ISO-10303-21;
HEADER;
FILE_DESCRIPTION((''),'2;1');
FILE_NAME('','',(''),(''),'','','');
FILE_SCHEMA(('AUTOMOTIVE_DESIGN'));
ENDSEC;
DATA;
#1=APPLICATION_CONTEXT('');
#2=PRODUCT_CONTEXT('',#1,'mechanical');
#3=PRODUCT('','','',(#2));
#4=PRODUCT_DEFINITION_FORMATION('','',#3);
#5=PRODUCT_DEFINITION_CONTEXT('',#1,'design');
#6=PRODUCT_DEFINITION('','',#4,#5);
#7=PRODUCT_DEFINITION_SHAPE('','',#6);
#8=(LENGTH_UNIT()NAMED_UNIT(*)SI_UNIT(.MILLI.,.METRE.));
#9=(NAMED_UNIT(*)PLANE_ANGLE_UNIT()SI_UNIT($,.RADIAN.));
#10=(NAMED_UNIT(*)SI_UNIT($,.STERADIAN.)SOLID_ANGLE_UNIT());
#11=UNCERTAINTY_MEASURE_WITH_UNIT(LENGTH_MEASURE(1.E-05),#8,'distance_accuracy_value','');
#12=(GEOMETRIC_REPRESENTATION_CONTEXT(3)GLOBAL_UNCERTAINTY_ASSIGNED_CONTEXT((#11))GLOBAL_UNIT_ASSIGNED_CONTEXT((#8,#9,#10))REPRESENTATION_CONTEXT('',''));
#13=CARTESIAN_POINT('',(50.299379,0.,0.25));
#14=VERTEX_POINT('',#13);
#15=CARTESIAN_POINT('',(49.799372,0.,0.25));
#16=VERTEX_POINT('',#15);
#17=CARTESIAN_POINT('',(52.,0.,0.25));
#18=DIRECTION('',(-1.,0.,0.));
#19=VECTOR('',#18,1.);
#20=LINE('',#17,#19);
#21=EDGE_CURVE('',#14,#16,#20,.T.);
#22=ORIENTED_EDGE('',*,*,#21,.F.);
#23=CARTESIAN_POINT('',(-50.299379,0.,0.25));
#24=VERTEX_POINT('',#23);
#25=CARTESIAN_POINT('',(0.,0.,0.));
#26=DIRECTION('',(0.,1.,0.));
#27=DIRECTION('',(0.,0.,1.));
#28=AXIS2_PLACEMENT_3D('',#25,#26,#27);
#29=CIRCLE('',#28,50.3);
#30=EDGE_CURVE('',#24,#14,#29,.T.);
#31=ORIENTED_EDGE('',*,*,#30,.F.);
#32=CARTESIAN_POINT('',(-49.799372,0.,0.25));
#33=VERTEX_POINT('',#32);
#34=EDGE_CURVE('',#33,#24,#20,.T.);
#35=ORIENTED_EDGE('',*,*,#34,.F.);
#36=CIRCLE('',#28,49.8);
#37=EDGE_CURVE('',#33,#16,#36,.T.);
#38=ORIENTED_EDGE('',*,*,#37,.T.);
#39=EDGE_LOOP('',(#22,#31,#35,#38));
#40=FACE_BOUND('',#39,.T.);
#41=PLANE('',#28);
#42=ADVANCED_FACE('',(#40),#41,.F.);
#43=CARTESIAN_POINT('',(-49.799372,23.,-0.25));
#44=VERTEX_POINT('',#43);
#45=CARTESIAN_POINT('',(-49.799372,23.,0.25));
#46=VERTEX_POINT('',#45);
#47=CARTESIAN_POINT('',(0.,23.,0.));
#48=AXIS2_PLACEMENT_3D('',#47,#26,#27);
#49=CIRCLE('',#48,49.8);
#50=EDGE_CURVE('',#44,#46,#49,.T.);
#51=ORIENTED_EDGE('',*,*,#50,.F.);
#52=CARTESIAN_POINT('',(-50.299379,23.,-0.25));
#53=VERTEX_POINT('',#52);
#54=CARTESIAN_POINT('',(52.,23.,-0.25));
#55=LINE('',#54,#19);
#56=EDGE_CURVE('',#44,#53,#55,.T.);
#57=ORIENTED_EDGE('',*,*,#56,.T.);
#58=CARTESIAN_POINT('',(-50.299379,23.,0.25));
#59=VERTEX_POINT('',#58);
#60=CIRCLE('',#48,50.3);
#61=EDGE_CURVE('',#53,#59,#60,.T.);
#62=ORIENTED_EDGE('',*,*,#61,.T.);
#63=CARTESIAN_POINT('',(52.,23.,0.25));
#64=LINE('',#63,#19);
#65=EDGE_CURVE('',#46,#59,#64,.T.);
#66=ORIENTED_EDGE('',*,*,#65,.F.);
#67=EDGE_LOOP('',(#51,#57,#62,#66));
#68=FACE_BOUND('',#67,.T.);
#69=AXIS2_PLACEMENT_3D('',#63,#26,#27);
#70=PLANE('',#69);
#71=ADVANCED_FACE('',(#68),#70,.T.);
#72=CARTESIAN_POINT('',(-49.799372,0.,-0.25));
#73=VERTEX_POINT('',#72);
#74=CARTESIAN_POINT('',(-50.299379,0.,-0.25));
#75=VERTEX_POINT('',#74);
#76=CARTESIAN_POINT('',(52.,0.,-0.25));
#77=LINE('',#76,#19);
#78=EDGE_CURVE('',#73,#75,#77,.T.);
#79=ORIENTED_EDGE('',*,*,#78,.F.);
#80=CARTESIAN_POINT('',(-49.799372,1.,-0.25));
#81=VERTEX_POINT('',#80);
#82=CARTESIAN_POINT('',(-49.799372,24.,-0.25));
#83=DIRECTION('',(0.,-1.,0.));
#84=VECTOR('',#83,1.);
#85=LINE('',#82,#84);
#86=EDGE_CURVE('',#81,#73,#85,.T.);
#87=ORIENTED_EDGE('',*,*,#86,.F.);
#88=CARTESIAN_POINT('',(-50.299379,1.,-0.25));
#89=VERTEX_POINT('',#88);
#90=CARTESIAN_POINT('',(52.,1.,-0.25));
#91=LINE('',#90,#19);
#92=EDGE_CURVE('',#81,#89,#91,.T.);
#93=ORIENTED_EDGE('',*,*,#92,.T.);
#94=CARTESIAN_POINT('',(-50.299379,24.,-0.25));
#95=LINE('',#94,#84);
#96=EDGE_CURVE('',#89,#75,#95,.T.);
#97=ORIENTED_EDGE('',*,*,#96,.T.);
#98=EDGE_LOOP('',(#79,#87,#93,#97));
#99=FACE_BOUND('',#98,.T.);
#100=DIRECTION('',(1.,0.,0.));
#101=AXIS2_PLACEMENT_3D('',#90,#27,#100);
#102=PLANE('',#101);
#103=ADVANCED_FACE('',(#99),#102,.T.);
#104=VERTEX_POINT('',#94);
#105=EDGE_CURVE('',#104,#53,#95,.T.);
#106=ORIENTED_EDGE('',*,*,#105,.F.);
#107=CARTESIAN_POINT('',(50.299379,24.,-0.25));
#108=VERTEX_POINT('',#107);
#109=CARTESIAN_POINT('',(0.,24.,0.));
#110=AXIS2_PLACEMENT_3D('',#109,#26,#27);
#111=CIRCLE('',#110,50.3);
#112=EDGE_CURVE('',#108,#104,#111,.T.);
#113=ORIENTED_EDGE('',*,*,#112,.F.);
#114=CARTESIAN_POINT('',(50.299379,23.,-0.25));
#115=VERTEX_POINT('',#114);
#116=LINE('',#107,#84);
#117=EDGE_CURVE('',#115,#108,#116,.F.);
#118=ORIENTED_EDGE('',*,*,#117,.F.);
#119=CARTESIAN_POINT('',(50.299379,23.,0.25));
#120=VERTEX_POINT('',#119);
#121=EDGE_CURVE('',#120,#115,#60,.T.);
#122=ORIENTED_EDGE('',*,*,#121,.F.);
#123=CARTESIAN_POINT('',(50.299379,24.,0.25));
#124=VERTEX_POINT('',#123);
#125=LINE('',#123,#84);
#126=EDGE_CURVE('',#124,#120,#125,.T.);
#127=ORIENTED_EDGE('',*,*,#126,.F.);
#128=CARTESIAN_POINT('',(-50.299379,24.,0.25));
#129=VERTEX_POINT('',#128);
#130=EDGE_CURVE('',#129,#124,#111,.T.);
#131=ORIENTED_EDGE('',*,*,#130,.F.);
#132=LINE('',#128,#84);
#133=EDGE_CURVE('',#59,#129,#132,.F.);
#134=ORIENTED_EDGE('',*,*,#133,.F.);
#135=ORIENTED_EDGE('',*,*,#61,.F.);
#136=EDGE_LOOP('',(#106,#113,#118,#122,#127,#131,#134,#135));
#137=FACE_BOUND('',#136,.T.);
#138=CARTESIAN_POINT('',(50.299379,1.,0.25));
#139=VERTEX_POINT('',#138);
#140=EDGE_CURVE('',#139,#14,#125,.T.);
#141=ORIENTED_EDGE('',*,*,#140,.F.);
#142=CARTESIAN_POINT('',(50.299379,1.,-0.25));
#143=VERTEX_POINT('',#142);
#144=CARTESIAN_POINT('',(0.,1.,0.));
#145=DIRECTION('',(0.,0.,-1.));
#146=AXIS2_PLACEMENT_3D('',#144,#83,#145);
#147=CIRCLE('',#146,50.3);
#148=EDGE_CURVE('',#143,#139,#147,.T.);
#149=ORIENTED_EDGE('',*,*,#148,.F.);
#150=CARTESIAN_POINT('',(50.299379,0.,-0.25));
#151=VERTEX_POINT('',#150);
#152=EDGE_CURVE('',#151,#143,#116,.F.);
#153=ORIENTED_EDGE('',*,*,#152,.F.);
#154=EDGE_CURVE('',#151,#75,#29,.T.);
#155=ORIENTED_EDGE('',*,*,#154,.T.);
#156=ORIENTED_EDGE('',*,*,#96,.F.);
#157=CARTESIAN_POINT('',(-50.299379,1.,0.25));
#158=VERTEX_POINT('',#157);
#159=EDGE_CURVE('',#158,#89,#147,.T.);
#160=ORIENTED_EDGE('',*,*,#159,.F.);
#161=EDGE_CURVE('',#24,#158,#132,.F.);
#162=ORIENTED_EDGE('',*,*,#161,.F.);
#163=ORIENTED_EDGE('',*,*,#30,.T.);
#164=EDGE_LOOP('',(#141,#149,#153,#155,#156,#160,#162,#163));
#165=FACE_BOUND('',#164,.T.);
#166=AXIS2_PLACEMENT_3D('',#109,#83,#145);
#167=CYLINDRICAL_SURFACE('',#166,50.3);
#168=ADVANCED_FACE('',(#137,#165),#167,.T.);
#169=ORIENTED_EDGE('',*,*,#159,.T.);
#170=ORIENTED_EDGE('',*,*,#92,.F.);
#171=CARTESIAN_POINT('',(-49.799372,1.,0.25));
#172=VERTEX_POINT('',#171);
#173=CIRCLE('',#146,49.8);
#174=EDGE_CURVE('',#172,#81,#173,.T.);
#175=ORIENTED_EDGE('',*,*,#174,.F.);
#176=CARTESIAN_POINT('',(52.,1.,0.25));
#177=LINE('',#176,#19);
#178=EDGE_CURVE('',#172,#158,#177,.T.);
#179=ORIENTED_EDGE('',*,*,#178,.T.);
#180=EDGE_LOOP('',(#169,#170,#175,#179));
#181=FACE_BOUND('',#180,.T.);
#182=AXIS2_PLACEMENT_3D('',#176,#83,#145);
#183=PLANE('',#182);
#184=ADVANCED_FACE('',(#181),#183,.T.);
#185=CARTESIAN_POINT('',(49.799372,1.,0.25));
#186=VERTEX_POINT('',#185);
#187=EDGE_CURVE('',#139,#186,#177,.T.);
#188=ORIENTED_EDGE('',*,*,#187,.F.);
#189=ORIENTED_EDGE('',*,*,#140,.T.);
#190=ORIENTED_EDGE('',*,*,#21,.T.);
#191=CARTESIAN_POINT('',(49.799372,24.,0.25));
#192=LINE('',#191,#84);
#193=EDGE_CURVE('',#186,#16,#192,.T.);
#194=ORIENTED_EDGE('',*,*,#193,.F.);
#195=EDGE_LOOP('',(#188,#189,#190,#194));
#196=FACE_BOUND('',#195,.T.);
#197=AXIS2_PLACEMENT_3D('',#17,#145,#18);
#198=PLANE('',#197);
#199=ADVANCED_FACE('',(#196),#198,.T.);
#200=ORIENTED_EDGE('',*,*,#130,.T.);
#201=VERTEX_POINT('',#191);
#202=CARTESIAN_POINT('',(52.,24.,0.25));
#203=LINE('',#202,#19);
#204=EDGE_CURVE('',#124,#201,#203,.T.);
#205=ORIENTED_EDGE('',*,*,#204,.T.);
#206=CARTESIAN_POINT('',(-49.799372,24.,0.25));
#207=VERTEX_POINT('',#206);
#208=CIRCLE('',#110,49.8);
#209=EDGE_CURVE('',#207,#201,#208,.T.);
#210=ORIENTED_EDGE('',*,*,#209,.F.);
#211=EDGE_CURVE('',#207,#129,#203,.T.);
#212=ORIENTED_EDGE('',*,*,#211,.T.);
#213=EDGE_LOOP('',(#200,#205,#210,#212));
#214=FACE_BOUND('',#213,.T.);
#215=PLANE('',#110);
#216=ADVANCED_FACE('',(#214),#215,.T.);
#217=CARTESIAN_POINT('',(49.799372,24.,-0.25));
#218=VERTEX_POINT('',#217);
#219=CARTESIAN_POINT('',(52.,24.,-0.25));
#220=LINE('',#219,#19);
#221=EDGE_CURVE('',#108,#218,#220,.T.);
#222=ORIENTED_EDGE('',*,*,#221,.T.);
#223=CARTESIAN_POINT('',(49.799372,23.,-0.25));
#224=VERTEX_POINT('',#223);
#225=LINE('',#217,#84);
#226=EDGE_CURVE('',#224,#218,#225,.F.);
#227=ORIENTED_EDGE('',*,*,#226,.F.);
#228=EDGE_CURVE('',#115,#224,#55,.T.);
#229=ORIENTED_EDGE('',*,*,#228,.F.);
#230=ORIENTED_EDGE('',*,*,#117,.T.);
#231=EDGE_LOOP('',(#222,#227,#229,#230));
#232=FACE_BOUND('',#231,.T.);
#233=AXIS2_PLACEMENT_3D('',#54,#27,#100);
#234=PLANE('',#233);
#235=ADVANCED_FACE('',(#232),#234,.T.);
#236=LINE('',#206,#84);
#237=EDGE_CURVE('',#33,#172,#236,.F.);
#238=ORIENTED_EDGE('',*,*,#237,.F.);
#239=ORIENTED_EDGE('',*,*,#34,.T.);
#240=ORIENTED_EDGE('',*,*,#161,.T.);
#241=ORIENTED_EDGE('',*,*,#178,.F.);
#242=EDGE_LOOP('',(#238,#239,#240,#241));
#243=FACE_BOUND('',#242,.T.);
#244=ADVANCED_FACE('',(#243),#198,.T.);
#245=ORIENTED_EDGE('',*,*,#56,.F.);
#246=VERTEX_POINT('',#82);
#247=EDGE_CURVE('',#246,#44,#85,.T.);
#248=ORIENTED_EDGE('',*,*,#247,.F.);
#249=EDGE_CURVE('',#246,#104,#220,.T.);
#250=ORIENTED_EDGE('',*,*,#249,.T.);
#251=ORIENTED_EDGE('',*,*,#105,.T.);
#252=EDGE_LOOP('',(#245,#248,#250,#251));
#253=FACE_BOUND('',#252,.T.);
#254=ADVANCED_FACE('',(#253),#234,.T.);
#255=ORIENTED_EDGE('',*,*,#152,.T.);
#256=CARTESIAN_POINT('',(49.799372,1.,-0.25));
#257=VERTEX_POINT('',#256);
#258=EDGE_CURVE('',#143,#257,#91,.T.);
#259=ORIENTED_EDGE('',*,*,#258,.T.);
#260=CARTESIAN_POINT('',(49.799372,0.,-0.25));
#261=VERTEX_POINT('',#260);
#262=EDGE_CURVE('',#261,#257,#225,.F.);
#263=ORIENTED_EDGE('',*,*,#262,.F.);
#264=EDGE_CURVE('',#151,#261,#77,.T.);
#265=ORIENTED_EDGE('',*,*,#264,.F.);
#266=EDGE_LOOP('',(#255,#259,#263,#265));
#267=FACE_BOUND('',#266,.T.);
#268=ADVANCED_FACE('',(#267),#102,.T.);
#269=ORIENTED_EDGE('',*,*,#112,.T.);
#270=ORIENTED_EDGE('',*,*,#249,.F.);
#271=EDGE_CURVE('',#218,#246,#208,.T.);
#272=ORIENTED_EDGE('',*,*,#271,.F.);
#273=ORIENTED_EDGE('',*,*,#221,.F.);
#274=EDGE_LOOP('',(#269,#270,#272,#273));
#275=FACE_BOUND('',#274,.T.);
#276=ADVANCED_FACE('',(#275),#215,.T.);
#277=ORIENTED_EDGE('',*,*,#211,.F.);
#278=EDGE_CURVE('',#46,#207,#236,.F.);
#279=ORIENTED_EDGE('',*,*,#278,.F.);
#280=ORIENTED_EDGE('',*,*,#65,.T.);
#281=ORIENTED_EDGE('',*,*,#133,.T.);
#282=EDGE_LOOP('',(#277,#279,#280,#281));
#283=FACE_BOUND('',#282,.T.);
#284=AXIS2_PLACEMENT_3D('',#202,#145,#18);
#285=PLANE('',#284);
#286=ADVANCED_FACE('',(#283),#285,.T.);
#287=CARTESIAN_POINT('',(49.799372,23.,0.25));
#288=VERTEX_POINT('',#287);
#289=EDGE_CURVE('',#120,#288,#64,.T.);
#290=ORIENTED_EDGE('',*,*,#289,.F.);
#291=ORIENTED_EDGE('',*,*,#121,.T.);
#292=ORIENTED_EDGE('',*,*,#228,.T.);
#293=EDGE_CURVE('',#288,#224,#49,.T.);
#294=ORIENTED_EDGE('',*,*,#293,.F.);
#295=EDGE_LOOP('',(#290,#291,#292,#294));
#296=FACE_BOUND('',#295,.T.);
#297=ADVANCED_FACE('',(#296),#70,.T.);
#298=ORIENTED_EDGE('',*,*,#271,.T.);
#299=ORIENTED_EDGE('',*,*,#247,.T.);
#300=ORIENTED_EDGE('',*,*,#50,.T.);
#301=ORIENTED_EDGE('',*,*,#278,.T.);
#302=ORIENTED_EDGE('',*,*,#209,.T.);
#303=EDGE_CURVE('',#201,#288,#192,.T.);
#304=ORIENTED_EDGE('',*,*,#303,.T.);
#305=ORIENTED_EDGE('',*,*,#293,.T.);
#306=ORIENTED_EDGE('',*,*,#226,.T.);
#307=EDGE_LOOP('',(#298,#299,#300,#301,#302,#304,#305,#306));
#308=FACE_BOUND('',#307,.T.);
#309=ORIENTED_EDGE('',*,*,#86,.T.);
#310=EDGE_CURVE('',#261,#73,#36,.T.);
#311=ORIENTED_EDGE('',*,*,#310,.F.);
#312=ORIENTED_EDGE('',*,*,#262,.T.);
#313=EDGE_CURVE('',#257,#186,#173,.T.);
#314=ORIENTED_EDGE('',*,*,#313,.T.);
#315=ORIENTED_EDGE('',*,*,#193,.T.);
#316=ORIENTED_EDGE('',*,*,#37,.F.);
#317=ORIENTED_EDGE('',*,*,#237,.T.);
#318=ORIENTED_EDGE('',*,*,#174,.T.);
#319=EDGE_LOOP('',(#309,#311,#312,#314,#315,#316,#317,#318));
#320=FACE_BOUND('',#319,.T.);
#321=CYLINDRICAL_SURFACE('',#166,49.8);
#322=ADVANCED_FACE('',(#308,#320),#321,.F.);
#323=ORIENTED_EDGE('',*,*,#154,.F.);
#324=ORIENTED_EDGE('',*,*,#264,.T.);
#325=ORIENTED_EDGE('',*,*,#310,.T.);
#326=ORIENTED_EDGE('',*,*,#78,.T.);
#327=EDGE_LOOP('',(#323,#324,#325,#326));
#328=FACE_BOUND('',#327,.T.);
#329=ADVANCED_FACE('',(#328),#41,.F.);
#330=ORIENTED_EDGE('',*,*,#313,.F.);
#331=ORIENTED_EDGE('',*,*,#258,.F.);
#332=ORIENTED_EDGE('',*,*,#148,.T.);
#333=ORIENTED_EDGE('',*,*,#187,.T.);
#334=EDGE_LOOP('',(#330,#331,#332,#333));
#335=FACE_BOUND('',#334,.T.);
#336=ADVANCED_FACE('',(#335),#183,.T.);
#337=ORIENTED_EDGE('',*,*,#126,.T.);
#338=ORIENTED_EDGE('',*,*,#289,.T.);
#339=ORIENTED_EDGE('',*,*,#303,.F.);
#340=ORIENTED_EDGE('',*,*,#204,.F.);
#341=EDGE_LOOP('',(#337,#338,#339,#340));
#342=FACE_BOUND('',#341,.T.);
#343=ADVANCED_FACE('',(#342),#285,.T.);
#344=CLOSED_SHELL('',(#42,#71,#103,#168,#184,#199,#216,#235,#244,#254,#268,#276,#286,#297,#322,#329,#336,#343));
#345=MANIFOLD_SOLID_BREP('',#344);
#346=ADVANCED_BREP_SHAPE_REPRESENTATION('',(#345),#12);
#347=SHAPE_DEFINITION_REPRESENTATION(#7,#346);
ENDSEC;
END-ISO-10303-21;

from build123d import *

# Parameters (mm, degrees)
SKETCH_1_R               = 50.3
SKETCH_1_R_2             = 49.8
EXTRUDE_1_DEPTH          = 24
CUT_EXTRUDE_2_DEPTH      = 52
CUT_EXTRUDE_2_DEPTH_BACK = 52


with BuildPart() as part:
    # Эскиз1 → Бобышка-Вытянуть1 (new body)
    with BuildSketch(Plane(origin=(0, 0, 0), x_dir=(1, 0, 0), z_dir=(0, 1, 0))):
        Circle(SKETCH_1_R)
        Circle(SKETCH_1_R_2, mode=Mode.SUBTRACT)
    extrude(amount=EXTRUDE_1_DEPTH)

    # Эскиз3 → Вырез-Вытянуть2 (cut, two sides: drawn at the far end of the back side and taken through both)
    with BuildSketch(Plane(origin=(0, 0, 0), x_dir=(0, 0, -1), z_dir=(1, 0, 0)).offset(-CUT_EXTRUDE_2_DEPTH_BACK)):
        Polygon((0, 24), (0.25, 24), (0.25, 23), (-0.25, 23), (-0.25, 24), align=None)
        Polygon((0.25, 1), (0.25, 0), (0, 0), (-0.25, 0), (-0.25, 1), align=None)
    extrude(amount=CUT_EXTRUDE_2_DEPTH + CUT_EXTRUDE_2_DEPTH_BACK, mode=Mode.SUBTRACT)


solid = part.part
